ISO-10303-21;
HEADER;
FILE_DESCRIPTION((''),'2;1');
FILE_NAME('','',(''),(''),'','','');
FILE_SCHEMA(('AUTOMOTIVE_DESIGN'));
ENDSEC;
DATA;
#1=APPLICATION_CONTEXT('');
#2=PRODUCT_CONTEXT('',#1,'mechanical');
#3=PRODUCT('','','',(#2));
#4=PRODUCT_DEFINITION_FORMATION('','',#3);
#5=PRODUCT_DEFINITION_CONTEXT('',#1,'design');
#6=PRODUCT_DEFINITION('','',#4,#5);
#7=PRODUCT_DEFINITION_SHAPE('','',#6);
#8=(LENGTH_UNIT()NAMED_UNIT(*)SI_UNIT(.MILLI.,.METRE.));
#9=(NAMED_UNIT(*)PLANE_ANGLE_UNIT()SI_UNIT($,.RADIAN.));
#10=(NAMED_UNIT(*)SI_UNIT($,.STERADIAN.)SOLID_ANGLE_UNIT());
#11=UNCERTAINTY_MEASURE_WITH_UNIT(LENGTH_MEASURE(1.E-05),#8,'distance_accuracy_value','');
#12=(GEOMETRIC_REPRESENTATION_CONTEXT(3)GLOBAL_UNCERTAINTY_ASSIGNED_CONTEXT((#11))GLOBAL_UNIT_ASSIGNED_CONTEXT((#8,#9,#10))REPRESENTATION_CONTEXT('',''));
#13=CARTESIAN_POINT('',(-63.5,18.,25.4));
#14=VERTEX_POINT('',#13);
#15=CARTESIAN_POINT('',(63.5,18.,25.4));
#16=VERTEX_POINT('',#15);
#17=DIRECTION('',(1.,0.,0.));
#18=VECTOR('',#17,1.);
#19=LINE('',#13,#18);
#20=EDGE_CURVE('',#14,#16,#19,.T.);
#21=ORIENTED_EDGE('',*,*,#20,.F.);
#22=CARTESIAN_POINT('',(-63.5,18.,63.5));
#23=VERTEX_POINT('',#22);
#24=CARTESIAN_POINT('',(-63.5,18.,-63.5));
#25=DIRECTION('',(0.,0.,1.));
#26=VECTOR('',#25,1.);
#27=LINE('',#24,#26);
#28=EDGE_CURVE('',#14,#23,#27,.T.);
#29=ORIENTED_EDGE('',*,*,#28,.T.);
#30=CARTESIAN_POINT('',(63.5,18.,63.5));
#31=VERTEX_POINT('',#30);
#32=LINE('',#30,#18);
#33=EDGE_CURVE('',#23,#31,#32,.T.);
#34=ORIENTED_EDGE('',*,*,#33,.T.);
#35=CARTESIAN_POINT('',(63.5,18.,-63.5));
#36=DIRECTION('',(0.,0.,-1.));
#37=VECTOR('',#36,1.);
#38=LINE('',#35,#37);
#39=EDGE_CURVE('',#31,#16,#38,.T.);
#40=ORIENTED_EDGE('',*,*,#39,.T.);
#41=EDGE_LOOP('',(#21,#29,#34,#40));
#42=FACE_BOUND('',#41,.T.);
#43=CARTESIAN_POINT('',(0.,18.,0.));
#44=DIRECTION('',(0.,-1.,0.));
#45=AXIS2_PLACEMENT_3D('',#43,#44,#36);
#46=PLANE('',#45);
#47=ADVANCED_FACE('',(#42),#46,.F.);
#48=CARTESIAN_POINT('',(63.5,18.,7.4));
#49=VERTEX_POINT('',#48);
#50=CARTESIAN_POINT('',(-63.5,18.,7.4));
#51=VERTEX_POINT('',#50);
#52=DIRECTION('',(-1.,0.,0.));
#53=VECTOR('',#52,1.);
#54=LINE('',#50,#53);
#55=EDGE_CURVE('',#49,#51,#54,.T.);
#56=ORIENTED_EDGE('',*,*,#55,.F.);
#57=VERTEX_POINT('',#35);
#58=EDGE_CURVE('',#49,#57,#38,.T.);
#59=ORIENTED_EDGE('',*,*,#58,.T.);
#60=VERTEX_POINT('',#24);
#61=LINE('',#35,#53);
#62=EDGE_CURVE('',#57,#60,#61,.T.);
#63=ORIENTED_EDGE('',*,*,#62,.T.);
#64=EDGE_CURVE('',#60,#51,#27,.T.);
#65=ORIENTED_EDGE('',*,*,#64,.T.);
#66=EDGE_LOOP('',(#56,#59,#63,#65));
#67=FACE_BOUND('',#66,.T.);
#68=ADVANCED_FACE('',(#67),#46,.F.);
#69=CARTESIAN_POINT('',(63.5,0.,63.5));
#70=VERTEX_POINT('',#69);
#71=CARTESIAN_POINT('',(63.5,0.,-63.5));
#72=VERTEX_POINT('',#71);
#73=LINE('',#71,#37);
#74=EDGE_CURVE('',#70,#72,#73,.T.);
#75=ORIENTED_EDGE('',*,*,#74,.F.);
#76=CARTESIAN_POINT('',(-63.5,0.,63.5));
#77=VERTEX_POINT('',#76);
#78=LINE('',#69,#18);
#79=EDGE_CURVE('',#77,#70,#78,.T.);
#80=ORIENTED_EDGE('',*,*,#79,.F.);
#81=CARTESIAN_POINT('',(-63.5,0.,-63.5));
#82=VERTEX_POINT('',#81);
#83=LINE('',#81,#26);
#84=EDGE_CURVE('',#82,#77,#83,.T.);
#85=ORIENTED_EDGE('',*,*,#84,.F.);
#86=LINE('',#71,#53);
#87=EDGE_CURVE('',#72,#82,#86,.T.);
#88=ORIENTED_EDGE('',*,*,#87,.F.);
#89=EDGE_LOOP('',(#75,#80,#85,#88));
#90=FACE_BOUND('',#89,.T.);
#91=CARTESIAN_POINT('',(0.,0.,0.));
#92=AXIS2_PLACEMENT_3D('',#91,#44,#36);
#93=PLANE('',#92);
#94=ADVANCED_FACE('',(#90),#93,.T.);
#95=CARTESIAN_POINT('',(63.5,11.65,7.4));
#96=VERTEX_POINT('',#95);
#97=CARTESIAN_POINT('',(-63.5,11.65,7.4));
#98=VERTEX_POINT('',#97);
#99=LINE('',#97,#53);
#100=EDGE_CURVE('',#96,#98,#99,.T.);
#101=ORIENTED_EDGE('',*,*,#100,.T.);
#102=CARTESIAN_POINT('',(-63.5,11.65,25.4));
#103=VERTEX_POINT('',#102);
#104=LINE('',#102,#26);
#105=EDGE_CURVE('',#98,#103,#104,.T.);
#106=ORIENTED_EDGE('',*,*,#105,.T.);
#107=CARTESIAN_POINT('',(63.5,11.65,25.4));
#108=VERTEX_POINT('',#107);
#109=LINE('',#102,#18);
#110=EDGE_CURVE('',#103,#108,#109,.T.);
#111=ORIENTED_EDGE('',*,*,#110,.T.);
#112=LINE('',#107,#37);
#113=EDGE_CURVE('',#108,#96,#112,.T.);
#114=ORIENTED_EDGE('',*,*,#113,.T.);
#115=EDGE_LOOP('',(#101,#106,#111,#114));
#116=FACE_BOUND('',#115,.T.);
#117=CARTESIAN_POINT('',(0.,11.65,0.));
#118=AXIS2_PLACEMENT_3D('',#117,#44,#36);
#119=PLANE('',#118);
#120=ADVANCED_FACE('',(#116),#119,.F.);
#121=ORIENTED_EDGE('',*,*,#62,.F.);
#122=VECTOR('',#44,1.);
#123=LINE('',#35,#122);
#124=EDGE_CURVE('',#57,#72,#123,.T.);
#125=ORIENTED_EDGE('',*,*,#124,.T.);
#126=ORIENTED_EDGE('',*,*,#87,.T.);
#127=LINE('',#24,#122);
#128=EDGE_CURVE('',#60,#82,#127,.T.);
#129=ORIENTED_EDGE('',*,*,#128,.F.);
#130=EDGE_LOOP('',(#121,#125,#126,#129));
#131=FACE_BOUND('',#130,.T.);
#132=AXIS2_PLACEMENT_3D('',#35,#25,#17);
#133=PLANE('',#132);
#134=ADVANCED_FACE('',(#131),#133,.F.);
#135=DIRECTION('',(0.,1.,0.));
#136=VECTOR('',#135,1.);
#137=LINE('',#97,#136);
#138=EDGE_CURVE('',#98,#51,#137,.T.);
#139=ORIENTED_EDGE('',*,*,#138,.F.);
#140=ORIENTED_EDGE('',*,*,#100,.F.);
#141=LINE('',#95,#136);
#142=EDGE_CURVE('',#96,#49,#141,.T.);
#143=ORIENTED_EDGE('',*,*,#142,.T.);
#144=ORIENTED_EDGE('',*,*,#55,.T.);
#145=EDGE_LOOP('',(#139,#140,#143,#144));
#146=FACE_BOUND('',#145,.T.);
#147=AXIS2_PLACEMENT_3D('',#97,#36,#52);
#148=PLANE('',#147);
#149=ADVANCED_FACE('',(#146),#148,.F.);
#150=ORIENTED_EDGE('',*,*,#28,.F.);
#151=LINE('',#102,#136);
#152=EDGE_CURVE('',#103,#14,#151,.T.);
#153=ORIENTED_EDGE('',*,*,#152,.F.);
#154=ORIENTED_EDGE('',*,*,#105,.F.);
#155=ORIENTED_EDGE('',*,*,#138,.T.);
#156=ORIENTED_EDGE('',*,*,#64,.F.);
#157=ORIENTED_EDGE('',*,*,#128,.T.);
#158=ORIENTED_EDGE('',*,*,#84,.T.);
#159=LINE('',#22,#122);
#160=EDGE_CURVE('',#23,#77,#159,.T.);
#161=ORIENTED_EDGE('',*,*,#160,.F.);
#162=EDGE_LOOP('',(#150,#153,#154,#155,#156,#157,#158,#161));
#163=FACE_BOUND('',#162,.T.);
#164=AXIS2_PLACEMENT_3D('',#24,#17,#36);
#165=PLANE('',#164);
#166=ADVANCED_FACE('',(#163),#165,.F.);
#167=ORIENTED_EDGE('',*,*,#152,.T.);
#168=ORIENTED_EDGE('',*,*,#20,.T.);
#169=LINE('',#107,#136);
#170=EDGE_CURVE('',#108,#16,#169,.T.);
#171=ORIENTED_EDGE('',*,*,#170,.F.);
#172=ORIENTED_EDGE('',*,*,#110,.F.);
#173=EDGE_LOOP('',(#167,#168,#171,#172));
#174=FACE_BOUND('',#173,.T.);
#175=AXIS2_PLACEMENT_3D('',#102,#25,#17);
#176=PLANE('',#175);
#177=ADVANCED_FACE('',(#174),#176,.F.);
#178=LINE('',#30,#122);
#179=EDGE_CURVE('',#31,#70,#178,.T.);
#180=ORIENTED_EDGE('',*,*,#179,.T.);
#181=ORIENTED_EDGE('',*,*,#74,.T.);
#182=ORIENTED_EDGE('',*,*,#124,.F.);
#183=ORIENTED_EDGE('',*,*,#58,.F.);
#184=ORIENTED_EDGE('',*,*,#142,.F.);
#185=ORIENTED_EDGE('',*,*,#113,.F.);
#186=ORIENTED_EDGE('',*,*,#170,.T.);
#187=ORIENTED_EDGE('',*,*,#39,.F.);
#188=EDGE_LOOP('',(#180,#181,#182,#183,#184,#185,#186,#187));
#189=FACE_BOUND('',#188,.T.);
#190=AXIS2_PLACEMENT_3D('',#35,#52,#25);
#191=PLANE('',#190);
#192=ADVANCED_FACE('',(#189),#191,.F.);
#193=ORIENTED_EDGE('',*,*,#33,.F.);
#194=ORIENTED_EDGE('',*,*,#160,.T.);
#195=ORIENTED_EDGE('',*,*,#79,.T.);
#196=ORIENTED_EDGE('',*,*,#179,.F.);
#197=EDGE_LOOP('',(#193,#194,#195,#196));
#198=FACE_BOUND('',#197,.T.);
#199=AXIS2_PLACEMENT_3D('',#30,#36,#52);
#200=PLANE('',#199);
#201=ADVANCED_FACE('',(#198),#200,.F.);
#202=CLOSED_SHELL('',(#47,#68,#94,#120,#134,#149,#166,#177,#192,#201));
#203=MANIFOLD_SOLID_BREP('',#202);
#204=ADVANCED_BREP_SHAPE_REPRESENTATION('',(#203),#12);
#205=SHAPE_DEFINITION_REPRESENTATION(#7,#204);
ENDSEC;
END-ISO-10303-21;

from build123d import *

# Parameters (mm, degrees)
SKETCH1_W           = 127
SKETCH1_H           = 127
BOSS_EXTRUDE1_DEPTH = 18
SKETCH2_W           = 127
SKETCH2_H           = 18
CUT_EXTRUDE1_DEPTH  = 6.35


with BuildPart() as part:
    # Sketch1 → Boss-Extrude1 (new body)
    with BuildSketch(Plane(origin=(0, 0, 0), x_dir=(1, 0, 0), z_dir=(0, 1, 0))):
        Rectangle(SKETCH1_W, SKETCH1_H)
    extrude(amount=BOSS_EXTRUDE1_DEPTH)

    # Sketch2 → Cut-Extrude1 (cut)
    with BuildSketch(Plane(origin=(0, 18, 0), x_dir=(1, 0, 0), z_dir=(0, 1, 0))):
        with Locations((0, -16.4)):
            Rectangle(SKETCH2_W, SKETCH2_H)
    extrude(amount=-CUT_EXTRUDE1_DEPTH, mode=Mode.SUBTRACT)


solid = part.part
